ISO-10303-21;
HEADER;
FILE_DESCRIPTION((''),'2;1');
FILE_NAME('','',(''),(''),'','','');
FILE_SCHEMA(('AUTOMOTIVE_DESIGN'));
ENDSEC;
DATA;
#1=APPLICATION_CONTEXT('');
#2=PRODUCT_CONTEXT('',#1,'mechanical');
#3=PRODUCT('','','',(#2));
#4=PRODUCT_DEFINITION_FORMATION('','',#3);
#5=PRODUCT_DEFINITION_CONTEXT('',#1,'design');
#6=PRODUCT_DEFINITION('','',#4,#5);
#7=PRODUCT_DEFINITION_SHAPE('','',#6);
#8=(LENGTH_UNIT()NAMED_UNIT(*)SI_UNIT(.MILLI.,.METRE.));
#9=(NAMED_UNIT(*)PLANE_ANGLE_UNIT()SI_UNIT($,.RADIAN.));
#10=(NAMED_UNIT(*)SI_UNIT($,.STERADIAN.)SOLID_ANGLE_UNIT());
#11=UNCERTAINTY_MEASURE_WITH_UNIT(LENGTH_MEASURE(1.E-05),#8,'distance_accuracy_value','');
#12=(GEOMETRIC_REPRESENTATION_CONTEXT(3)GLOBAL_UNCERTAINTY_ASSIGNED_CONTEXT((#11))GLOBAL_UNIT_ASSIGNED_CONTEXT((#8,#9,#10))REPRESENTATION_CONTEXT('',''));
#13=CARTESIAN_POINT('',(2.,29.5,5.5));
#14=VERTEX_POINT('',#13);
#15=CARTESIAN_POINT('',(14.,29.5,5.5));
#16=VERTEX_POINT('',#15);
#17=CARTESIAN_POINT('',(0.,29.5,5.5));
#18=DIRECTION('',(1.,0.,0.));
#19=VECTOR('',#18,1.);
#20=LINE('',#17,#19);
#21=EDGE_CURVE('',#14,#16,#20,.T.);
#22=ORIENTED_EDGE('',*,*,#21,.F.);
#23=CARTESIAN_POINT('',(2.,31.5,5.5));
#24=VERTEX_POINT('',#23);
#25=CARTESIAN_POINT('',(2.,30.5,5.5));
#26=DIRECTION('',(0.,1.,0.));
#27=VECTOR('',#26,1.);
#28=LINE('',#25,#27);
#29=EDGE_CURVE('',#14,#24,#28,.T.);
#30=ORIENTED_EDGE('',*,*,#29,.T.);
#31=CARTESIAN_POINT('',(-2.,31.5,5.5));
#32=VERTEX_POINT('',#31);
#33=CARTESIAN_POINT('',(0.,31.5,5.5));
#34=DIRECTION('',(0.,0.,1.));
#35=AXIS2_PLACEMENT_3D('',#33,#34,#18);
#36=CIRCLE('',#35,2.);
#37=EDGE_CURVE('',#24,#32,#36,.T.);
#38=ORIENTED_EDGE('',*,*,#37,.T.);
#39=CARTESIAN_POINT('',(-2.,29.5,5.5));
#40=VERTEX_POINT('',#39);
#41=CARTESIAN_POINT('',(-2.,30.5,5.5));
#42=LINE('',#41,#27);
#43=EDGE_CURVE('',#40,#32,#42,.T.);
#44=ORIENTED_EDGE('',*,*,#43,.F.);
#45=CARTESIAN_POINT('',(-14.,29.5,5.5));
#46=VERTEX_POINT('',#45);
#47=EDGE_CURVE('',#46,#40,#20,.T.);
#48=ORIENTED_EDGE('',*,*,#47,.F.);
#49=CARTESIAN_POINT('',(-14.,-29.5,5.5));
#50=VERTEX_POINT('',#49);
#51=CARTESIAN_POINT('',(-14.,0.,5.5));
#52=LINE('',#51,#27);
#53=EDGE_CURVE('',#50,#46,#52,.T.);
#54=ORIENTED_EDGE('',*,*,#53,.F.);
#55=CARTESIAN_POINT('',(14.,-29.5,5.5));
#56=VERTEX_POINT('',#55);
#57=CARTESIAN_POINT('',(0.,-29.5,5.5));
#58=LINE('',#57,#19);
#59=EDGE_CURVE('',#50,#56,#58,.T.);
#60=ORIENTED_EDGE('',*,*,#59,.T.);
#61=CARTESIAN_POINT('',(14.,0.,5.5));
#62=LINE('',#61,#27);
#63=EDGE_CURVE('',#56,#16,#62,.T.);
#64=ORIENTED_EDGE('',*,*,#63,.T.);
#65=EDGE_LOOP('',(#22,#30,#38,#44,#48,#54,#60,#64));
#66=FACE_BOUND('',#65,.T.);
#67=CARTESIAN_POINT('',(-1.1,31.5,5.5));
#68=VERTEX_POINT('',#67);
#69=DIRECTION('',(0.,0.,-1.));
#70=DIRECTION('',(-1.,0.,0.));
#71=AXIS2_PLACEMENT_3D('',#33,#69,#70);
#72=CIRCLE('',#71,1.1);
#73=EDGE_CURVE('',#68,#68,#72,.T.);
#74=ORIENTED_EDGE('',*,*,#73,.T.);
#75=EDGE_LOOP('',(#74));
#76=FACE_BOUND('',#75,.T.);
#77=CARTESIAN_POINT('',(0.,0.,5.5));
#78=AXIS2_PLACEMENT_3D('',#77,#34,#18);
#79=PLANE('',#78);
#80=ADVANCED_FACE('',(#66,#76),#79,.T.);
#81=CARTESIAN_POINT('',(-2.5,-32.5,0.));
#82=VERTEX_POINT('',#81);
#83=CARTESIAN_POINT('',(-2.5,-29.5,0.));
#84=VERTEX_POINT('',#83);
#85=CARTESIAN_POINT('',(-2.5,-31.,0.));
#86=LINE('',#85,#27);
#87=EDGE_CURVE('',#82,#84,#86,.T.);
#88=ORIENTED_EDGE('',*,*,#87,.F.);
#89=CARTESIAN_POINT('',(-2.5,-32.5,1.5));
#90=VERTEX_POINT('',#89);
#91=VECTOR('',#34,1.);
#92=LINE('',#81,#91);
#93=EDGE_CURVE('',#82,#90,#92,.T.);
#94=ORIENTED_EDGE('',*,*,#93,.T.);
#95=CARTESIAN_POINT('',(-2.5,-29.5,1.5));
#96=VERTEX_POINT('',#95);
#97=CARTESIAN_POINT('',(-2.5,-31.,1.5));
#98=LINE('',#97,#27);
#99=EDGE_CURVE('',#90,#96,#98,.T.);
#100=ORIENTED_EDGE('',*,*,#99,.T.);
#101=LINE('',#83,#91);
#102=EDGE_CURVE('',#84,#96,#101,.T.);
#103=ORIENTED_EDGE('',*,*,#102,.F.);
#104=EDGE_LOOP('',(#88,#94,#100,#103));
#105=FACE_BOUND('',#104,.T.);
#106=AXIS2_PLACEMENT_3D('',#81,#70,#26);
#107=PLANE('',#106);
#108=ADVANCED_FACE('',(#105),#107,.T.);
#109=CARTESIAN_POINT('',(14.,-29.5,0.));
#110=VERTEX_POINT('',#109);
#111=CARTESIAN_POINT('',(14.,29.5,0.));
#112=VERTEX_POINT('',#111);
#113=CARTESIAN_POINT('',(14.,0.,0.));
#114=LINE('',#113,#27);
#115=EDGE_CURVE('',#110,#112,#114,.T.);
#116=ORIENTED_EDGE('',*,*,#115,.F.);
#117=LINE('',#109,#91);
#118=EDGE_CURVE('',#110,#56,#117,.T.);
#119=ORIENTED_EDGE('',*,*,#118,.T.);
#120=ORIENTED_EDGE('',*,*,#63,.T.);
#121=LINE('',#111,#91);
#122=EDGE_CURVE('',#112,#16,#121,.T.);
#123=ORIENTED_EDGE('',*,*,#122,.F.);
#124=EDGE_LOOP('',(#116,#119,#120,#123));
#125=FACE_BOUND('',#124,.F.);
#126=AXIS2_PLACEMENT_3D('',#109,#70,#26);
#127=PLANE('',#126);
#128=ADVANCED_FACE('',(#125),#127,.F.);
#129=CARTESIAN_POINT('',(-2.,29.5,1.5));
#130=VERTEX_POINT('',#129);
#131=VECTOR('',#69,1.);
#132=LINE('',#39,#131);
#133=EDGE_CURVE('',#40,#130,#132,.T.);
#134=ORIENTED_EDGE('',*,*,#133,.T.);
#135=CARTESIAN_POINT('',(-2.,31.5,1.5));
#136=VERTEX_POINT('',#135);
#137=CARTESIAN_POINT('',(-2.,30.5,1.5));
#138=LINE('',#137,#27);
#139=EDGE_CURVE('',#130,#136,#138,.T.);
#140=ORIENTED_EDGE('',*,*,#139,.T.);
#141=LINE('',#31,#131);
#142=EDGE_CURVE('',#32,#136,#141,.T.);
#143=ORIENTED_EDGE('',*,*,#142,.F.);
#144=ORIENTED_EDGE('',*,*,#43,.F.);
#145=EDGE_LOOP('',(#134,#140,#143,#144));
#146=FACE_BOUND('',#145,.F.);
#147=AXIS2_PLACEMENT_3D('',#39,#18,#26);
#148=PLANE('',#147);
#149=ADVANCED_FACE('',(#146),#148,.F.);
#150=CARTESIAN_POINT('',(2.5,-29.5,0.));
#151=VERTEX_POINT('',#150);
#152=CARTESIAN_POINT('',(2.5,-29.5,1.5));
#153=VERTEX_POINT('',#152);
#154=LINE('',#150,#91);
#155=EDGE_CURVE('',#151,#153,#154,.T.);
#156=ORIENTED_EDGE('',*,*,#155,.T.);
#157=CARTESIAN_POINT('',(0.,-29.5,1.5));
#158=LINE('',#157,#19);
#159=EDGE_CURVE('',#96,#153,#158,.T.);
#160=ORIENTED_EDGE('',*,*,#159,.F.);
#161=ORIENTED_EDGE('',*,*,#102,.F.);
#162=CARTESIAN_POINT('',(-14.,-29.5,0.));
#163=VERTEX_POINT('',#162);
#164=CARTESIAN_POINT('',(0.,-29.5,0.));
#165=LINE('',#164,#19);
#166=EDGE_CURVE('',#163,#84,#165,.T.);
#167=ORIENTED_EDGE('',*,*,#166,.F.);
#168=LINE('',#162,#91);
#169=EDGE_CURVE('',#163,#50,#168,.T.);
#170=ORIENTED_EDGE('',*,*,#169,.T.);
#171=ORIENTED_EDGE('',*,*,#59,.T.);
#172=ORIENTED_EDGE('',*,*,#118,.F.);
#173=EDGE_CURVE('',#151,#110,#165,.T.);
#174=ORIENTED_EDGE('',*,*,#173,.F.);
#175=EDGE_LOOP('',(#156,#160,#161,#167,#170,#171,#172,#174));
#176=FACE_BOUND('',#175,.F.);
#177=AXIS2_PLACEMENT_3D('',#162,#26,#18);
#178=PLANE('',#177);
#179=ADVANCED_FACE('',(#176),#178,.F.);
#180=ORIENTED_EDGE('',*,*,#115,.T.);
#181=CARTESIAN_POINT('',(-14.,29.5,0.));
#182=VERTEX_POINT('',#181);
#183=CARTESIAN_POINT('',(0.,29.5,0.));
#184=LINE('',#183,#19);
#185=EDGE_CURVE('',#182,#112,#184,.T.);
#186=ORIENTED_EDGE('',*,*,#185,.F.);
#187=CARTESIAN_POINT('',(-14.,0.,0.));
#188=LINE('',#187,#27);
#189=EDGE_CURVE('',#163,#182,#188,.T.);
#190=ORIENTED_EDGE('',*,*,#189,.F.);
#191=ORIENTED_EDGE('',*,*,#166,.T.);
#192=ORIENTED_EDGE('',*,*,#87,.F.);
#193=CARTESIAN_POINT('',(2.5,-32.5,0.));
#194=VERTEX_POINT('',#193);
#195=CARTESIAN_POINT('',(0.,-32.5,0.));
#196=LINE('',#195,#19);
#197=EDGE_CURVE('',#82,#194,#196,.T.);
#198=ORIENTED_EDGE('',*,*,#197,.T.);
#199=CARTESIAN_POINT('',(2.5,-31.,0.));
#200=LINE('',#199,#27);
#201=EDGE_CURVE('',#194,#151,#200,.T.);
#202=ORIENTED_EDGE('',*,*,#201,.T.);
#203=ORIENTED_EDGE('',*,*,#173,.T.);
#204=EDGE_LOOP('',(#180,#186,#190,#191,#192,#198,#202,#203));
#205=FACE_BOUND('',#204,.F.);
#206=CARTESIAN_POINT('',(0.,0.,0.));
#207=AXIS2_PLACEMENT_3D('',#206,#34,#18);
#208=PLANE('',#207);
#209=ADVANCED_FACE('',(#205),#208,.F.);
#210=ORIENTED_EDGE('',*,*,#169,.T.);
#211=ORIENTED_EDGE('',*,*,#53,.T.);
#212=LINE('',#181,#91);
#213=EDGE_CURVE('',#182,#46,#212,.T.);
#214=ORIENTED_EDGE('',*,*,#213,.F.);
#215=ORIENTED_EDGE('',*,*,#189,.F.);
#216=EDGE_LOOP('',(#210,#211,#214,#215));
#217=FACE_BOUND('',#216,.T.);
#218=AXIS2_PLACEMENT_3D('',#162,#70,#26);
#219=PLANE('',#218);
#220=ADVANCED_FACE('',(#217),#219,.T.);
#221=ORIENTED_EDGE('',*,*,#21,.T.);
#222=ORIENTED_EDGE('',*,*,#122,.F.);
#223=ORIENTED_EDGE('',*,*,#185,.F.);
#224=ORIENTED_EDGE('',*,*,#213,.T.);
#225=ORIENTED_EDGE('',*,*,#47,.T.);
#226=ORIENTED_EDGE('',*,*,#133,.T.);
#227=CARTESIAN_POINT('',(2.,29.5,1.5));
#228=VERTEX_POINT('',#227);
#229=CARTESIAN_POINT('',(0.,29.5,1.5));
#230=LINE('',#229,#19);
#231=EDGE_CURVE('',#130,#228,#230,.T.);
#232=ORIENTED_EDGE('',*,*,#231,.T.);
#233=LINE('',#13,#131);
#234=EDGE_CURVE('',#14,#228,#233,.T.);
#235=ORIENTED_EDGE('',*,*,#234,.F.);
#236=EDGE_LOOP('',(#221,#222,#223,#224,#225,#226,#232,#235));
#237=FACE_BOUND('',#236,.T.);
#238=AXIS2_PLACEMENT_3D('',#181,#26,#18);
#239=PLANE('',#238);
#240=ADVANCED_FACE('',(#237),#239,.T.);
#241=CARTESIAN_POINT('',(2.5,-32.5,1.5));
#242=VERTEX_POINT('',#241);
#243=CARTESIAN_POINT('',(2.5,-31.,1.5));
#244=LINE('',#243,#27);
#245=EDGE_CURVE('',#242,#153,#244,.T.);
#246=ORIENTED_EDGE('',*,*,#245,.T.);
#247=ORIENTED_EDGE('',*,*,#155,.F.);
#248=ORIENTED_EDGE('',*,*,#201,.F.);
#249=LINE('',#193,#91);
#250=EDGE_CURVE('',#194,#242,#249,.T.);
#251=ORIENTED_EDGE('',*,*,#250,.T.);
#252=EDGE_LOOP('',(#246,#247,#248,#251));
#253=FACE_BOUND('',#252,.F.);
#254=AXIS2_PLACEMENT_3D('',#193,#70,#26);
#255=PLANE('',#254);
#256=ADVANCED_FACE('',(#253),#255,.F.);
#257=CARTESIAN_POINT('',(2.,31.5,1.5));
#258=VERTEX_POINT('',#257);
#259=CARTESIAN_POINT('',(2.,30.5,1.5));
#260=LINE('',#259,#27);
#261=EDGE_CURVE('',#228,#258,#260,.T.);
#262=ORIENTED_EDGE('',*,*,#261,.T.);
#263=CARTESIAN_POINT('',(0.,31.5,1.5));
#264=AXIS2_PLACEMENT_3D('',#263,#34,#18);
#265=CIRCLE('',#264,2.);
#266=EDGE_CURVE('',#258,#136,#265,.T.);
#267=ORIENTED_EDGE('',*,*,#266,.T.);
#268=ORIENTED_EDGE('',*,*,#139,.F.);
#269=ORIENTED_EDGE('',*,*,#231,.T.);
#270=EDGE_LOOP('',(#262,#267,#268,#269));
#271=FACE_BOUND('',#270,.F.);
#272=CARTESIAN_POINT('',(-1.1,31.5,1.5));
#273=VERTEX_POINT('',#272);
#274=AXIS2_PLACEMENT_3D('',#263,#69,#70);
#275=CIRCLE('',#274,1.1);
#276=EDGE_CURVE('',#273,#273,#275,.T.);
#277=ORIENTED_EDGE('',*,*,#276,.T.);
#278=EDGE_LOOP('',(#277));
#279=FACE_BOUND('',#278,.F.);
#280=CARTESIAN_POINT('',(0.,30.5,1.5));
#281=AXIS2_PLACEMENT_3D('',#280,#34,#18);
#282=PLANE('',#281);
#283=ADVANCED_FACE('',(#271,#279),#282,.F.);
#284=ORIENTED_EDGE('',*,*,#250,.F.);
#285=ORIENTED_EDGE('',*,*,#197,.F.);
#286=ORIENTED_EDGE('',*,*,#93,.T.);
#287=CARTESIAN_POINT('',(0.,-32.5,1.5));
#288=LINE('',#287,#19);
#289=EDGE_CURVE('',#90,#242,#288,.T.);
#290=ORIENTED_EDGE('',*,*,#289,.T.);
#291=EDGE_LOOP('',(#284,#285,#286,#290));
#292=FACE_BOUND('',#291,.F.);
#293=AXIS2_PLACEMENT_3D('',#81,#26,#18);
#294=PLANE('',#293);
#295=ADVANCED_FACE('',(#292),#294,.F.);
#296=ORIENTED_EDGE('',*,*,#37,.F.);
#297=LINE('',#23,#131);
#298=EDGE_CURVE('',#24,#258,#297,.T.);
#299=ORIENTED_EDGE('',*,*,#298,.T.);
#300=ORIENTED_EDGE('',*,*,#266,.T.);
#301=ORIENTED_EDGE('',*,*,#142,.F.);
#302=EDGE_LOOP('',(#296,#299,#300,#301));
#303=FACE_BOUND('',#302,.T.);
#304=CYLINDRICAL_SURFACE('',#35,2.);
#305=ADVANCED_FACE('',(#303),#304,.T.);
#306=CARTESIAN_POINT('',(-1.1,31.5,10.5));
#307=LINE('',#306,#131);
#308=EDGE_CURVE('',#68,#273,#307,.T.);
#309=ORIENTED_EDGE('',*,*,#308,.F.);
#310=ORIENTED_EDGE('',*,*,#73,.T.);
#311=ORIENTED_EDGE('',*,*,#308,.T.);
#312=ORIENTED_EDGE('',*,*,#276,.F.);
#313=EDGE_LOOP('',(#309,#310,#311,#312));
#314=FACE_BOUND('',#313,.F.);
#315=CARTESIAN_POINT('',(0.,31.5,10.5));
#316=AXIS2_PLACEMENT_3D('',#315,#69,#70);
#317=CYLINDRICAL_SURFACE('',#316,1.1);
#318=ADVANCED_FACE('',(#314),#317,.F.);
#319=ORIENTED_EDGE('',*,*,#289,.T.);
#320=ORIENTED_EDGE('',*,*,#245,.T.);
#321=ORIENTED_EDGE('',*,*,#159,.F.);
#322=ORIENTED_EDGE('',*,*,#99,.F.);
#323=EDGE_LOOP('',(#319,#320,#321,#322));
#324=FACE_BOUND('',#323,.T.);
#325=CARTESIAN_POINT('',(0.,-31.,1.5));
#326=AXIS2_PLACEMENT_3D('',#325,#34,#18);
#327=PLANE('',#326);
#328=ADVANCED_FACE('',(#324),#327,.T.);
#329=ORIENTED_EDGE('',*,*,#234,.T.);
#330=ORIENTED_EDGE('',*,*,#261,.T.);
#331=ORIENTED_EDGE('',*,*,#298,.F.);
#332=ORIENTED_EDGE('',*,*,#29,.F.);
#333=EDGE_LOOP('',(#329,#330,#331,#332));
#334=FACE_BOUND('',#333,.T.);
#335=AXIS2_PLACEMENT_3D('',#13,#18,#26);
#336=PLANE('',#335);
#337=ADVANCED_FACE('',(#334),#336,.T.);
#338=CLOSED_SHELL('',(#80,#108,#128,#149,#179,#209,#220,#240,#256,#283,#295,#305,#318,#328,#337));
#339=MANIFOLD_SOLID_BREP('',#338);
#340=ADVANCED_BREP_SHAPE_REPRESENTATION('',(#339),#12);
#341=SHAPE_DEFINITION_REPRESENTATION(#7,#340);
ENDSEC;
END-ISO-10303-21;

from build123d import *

# Parameters (mm, degrees)
F0_W     = 28
F0_H     = 59
F1_DEPTH = 5.5
F2_W     = 5
F2_H     = 3
F3_DEPTH = 1.5
F4_W     = 4
F4_H     = 2
F5_DEPTH = 4
F6_D     = 2.2
F6_DEPTH = 5


with BuildPart() as f1:
    # F0 (on Top) → F1 (new body)
    with BuildSketch(Plane.XY):
        Rectangle(F0_W, F0_H)
    extrude(amount=F1_DEPTH)

    # F2 (on Top) → F3 (join)
    with BuildSketch(Plane.XY):
        with Locations((0, -31)):
            Rectangle(F2_W, F2_H)
    extrude(amount=F3_DEPTH)

    # F4 (on face) → F5 (join)
    with BuildSketch(Plane.XY.offset(5.5)):
        with Locations((0, 30.5)):
            Rectangle(F4_W, F4_H)
        with BuildLine():
            ThreePointArc((2, 31.5), (0, 33.5), (-2, 31.5))
            Line((-2, 31.5), (2, 31.5))
        make_face()
    extrude(amount=-F5_DEPTH)

    # F6
    with Locations(Plane.XY.offset(5.5)):
        with Locations((0, 31.5)):
            Hole(F6_D / 2, depth=F6_DEPTH)


solid = f1.part
